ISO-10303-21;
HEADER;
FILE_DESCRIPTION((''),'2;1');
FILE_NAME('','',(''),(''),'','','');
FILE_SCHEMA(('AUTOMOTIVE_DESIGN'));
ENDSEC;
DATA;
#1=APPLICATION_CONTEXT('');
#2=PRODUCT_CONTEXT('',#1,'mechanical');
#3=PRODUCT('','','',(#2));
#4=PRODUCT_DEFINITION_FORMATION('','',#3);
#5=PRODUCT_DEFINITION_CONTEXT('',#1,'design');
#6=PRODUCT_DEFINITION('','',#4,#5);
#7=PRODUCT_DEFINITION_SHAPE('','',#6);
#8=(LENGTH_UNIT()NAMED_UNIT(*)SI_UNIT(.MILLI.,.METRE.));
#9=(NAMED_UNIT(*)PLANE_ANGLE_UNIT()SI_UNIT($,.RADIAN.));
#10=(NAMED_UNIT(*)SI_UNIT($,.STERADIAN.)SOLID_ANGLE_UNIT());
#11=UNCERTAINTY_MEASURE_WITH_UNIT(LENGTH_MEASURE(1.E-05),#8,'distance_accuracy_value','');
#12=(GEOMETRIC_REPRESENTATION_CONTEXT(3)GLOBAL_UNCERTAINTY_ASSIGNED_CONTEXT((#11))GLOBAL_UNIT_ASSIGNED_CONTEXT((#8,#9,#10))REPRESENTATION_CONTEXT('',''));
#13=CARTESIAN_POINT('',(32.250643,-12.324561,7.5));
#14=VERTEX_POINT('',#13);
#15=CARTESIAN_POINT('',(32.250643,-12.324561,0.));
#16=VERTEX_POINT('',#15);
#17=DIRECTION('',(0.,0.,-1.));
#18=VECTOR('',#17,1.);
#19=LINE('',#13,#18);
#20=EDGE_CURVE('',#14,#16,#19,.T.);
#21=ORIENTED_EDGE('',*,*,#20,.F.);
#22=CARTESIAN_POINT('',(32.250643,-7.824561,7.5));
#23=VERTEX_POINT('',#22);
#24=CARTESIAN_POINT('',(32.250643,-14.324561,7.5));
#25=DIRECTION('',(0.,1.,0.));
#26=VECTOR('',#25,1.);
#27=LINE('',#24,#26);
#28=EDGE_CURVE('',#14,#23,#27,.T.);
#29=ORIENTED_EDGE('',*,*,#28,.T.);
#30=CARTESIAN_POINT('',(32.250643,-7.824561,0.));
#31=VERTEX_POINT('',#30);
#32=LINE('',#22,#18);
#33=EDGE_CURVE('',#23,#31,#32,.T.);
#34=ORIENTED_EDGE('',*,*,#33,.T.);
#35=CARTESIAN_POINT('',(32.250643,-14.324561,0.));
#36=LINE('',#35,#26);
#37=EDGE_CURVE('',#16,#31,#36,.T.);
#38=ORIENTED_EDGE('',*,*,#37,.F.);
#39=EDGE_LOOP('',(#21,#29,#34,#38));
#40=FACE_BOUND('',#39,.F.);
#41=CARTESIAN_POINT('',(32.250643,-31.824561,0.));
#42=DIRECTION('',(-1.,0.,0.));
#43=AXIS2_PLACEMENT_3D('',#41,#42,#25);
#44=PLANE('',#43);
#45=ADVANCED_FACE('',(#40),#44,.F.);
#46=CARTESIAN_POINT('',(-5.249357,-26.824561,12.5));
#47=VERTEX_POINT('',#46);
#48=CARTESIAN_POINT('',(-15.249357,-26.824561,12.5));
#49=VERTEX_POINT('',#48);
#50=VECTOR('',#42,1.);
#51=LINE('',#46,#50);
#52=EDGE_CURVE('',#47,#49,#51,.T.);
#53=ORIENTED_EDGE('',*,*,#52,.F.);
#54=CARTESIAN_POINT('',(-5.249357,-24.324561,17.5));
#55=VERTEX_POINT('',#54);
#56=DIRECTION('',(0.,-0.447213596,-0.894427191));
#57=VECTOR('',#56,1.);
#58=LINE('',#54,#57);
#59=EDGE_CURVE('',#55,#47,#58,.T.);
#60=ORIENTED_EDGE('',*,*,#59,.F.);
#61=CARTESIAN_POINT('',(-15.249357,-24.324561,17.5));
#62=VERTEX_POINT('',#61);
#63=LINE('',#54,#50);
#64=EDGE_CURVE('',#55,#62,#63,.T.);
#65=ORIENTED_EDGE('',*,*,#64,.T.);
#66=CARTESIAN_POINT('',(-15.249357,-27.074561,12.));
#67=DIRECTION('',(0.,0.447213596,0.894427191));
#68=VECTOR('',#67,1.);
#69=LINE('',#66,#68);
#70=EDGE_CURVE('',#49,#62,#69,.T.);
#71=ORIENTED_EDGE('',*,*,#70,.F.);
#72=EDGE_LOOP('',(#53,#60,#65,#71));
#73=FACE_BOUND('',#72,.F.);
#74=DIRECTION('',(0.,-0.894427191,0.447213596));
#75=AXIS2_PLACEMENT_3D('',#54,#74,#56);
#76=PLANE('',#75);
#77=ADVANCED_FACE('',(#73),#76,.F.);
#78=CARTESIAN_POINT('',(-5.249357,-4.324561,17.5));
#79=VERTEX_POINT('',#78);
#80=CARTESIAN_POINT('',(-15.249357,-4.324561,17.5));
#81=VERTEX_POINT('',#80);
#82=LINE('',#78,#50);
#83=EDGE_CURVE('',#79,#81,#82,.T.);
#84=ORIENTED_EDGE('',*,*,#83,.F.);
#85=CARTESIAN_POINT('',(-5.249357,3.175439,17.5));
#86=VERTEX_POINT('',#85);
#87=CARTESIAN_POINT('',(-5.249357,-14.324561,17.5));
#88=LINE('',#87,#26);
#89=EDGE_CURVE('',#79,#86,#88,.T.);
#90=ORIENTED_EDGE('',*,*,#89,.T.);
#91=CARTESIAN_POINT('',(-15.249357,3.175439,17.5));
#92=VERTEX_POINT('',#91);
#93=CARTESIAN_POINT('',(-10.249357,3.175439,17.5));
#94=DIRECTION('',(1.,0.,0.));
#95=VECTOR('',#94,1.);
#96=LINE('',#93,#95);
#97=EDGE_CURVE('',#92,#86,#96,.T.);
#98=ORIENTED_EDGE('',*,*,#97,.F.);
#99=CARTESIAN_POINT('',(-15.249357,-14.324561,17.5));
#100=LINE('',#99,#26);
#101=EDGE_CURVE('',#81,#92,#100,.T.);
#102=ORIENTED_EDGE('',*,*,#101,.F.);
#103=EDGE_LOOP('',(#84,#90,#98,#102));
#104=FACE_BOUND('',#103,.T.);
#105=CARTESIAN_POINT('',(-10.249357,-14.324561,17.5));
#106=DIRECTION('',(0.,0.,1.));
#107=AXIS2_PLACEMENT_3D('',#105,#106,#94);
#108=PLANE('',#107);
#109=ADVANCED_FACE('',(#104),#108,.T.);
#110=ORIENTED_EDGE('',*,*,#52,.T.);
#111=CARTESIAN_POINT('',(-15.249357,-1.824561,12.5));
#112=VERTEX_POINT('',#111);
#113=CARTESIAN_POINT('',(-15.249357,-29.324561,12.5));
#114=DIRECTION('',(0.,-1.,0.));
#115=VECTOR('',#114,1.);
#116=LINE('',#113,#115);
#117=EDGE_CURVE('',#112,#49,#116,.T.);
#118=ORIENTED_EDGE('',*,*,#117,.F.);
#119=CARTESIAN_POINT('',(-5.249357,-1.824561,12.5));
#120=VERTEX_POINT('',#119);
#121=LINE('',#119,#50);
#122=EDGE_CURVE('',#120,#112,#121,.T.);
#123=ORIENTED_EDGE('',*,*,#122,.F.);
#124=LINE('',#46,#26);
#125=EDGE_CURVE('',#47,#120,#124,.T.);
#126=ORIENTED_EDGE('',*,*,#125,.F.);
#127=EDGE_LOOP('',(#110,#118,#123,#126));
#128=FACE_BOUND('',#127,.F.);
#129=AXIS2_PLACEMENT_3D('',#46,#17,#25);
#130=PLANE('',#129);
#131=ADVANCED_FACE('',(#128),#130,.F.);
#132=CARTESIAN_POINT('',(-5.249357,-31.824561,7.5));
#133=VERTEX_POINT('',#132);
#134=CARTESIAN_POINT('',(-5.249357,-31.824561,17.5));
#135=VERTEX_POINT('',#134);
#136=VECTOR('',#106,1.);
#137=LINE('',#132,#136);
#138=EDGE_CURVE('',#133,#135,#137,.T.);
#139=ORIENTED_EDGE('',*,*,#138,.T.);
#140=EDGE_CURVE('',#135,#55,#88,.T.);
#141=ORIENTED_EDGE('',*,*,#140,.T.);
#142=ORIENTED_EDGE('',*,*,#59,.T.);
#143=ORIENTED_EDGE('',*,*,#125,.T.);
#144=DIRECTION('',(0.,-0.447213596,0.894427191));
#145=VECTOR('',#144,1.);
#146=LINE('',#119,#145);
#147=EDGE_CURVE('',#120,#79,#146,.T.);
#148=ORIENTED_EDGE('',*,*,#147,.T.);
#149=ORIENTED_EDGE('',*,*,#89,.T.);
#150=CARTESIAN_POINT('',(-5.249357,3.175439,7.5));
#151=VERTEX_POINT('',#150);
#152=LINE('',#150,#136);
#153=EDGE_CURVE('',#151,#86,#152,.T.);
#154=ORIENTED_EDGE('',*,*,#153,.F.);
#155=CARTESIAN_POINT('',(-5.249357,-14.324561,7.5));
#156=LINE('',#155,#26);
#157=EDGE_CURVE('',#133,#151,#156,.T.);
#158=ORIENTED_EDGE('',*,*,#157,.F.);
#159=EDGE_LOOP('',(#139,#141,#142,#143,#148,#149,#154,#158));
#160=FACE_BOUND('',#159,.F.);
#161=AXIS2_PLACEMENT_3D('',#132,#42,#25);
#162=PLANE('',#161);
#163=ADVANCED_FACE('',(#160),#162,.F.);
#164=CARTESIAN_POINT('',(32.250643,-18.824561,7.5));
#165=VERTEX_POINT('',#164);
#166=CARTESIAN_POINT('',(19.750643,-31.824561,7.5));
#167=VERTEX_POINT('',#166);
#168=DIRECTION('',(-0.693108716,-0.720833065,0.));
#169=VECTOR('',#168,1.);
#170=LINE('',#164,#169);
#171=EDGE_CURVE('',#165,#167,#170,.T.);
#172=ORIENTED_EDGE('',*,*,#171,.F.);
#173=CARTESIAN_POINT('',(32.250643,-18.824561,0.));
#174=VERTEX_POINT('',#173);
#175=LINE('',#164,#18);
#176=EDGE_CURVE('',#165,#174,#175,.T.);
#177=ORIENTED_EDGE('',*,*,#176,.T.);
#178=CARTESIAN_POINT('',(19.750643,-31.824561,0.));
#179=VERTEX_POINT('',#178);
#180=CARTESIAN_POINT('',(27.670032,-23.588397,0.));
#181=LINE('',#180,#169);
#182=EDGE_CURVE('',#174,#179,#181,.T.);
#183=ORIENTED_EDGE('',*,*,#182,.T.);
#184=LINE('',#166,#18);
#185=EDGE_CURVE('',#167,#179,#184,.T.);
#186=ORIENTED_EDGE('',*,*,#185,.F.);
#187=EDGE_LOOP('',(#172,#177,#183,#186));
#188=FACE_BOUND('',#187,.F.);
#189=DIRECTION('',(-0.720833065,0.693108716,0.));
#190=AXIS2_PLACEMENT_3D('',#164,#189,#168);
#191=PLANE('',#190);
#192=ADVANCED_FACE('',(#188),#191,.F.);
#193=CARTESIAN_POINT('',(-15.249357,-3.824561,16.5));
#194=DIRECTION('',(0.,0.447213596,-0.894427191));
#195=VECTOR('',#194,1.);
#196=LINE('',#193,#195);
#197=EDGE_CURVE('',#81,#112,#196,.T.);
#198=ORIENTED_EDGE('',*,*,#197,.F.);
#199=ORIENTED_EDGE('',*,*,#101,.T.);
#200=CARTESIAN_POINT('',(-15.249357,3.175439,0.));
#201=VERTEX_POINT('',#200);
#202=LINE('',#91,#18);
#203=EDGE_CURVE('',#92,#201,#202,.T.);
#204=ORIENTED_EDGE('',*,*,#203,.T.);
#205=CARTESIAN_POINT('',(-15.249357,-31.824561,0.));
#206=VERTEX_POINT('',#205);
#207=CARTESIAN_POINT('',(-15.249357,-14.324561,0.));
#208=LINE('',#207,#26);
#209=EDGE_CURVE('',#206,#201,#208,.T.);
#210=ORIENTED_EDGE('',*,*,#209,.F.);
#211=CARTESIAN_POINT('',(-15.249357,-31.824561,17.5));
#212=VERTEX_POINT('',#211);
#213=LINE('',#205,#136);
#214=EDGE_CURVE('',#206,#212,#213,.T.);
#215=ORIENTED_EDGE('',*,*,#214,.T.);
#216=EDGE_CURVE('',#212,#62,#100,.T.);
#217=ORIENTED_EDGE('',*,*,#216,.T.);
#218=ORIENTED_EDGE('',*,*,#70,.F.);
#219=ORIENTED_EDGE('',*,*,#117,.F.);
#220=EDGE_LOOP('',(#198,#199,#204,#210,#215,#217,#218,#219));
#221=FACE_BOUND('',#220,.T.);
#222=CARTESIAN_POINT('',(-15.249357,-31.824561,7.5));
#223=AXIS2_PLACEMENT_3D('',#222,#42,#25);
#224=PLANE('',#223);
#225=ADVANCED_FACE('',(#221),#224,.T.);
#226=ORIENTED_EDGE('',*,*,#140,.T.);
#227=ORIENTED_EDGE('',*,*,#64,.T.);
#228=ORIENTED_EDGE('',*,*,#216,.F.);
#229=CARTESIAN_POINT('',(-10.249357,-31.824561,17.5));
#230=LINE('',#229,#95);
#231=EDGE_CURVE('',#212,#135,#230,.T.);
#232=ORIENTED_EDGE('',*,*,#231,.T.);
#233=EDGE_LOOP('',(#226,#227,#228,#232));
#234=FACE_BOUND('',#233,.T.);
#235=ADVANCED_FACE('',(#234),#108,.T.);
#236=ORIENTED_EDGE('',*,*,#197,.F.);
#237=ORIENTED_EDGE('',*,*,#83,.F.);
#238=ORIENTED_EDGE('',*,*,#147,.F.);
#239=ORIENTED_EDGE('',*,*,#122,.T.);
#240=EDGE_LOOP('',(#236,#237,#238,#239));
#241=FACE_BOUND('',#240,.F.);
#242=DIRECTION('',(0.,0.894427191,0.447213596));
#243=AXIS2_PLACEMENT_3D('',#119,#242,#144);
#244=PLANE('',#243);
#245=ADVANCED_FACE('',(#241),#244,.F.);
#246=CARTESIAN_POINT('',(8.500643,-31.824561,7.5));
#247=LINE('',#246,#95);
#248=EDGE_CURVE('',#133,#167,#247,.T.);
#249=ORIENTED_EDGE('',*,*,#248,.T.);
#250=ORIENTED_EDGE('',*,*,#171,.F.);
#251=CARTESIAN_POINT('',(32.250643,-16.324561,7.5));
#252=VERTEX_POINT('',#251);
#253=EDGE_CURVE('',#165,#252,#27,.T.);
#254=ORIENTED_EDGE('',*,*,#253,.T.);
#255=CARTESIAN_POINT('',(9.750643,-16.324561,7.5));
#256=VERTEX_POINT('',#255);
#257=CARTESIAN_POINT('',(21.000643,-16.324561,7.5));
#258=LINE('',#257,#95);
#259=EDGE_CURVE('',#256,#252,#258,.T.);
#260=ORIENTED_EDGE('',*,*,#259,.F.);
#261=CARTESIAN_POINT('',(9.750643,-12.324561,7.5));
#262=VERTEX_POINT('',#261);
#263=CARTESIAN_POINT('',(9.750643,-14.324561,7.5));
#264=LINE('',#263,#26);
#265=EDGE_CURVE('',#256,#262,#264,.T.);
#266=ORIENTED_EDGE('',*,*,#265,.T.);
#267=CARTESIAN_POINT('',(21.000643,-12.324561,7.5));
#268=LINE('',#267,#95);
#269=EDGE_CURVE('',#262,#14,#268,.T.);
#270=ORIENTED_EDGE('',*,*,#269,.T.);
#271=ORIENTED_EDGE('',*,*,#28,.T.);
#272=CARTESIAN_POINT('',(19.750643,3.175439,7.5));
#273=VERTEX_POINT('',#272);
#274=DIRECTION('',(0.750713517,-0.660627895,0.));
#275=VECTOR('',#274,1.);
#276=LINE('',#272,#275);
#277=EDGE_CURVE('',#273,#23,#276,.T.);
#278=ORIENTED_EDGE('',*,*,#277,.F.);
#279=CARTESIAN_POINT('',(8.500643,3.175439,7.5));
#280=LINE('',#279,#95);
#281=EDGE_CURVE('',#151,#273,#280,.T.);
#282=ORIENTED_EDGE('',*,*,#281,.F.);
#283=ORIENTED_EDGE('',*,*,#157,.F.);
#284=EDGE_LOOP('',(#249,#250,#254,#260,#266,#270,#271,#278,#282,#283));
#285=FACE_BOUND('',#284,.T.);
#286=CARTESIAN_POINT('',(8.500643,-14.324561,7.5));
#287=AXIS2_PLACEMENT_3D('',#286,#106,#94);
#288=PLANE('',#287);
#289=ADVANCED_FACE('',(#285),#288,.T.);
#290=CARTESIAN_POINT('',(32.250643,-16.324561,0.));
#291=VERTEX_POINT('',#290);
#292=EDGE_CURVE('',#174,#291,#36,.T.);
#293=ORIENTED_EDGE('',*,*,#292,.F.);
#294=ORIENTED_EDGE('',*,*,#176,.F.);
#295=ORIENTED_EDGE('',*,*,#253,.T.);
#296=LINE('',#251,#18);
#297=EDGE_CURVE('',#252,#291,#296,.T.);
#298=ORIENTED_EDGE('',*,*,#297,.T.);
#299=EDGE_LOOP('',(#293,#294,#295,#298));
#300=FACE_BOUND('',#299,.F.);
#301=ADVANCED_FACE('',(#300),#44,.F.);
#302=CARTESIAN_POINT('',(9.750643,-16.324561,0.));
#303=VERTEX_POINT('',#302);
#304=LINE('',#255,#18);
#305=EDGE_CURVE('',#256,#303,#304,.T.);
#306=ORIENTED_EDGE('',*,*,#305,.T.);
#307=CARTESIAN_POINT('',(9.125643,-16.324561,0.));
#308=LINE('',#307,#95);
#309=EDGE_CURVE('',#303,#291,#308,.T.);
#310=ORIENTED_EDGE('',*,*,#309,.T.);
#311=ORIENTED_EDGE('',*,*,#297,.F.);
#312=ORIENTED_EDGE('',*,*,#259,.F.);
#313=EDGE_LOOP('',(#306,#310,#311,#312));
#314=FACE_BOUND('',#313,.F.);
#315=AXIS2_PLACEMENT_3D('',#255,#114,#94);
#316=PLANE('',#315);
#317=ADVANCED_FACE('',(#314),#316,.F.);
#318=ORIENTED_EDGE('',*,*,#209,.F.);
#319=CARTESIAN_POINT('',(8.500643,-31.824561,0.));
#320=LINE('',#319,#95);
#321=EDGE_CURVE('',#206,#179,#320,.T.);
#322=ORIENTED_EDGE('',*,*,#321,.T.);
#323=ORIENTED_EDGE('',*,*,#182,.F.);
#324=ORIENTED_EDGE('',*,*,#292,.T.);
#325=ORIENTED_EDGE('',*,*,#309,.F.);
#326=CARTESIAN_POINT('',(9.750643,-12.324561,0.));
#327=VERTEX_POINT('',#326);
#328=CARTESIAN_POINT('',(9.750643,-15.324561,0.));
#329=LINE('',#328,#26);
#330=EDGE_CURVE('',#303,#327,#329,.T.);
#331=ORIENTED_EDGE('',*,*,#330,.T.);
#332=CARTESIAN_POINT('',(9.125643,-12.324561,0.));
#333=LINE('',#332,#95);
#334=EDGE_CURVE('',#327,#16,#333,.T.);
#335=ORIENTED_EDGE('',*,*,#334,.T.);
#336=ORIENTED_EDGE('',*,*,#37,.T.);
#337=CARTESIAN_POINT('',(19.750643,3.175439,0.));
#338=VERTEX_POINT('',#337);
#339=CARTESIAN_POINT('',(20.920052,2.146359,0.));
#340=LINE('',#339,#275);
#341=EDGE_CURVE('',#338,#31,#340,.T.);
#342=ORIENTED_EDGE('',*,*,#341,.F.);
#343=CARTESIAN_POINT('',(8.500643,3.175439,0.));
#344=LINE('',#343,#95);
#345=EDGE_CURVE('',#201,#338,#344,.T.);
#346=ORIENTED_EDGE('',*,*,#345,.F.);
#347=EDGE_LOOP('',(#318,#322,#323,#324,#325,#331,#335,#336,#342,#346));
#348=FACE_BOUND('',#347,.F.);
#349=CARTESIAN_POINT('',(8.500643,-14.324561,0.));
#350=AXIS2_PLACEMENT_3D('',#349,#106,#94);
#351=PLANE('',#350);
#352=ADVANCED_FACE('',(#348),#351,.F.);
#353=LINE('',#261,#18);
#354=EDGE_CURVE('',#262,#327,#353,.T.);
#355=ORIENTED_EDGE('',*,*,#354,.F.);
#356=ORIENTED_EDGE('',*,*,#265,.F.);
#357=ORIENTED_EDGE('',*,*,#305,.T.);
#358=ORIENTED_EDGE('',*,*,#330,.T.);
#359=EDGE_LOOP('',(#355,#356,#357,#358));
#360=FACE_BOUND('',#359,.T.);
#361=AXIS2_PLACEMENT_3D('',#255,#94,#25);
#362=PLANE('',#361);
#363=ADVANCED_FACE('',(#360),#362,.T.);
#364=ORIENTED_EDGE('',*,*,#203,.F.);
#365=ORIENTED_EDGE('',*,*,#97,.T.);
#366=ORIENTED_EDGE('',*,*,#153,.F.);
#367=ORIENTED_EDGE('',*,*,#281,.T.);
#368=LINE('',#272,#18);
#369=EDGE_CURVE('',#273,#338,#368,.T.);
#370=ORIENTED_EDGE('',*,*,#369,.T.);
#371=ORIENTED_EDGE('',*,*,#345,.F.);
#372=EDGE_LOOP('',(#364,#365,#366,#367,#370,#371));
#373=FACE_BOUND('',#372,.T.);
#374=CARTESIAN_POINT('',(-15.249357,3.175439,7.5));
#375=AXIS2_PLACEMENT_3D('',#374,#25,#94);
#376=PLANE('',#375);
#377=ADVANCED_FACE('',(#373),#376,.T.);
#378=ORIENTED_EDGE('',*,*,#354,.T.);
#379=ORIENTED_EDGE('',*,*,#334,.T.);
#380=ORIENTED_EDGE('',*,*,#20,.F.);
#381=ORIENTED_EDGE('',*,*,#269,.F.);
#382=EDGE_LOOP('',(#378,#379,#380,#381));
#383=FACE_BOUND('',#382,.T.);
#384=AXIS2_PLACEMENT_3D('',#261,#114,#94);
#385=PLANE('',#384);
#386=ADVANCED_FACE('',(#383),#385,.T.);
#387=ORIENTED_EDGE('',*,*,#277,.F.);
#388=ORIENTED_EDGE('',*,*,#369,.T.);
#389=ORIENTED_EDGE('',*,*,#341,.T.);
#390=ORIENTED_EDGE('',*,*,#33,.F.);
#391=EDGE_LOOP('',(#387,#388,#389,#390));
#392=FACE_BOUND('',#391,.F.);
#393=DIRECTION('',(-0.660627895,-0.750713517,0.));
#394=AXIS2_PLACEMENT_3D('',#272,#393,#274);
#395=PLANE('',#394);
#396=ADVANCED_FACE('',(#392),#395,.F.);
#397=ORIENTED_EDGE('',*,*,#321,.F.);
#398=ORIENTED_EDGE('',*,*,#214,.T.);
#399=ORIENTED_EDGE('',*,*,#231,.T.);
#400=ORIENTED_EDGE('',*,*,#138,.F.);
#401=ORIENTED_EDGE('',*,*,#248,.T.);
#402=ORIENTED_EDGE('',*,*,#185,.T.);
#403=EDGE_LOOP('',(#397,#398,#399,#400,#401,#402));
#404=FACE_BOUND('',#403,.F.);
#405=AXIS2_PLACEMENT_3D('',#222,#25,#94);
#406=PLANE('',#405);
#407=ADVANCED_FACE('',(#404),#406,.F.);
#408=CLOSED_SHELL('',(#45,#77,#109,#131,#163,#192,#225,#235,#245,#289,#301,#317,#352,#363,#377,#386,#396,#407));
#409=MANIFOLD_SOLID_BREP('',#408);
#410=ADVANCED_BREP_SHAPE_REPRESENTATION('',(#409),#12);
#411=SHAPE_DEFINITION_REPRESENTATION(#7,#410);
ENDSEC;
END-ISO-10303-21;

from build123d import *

# Parameters (mm, degrees)
F0_W      = 47.5
F0_H      = 35
F1_DEPTH  = 7.5
F2_W      = 10
F2_H      = 35
F3_DEPTH  = 10
F5_DEPTH  = 10.001
F7_DEPTH  = 7.501
F9_DEPTH  = 7.501
F10_W     = 22.5
F10_H     = 4
F11_DEPTH = 7.501


with BuildPart() as f1:
    # F0 (on Top) → F1 (new body)
    with BuildSketch(Plane.XY):
        with Locations((8.500643, -14.324561)):
            Rectangle(F0_W, F0_H)
    extrude(amount=F1_DEPTH)

    # F2 (on face) → F3 (join)
    with BuildSketch(Plane.XY.offset(7.5)):
        with Locations((-10.249357, -14.324561)):
            Rectangle(F2_W, F2_H)
    extrude(amount=F3_DEPTH)

    # F4 (on face) → F5 (cut, through all)
    with BuildSketch(Plane.YZ.offset(-5.249357)):
        Polygon((-1.824561, 12.5), (-4.324561, 17.5), (-24.324561, 17.5), (-26.824561, 12.5), align=None)
    extrude(amount=-F5_DEPTH, mode=Mode.SUBTRACT)

    # F6 (on face) → F7 (cut, through all)
    with BuildSketch(Plane.XY.offset(7.5)):
        Polygon((19.750643, -31.824561), (32.250643, -31.824561), (32.250643, -18.824561), align=None)
    extrude(amount=-F7_DEPTH, mode=Mode.SUBTRACT)

    # F8 (on face) → F9 (cut, through all)
    with BuildSketch(Plane.XY.offset(7.5)):
        Polygon((19.750643, 3.175439), (32.250643, -7.824561), (32.250643, 3.175439), align=None)
    extrude(amount=-F9_DEPTH, mode=Mode.SUBTRACT)

    # F10 (on face) → F11 (cut, through all)
    with BuildSketch(Plane.XY.offset(7.5)):
        with Locations((21.000643, -14.324561)):
            Rectangle(F10_W, F10_H)
    extrude(amount=-F11_DEPTH, mode=Mode.SUBTRACT)


solid = f1.part
